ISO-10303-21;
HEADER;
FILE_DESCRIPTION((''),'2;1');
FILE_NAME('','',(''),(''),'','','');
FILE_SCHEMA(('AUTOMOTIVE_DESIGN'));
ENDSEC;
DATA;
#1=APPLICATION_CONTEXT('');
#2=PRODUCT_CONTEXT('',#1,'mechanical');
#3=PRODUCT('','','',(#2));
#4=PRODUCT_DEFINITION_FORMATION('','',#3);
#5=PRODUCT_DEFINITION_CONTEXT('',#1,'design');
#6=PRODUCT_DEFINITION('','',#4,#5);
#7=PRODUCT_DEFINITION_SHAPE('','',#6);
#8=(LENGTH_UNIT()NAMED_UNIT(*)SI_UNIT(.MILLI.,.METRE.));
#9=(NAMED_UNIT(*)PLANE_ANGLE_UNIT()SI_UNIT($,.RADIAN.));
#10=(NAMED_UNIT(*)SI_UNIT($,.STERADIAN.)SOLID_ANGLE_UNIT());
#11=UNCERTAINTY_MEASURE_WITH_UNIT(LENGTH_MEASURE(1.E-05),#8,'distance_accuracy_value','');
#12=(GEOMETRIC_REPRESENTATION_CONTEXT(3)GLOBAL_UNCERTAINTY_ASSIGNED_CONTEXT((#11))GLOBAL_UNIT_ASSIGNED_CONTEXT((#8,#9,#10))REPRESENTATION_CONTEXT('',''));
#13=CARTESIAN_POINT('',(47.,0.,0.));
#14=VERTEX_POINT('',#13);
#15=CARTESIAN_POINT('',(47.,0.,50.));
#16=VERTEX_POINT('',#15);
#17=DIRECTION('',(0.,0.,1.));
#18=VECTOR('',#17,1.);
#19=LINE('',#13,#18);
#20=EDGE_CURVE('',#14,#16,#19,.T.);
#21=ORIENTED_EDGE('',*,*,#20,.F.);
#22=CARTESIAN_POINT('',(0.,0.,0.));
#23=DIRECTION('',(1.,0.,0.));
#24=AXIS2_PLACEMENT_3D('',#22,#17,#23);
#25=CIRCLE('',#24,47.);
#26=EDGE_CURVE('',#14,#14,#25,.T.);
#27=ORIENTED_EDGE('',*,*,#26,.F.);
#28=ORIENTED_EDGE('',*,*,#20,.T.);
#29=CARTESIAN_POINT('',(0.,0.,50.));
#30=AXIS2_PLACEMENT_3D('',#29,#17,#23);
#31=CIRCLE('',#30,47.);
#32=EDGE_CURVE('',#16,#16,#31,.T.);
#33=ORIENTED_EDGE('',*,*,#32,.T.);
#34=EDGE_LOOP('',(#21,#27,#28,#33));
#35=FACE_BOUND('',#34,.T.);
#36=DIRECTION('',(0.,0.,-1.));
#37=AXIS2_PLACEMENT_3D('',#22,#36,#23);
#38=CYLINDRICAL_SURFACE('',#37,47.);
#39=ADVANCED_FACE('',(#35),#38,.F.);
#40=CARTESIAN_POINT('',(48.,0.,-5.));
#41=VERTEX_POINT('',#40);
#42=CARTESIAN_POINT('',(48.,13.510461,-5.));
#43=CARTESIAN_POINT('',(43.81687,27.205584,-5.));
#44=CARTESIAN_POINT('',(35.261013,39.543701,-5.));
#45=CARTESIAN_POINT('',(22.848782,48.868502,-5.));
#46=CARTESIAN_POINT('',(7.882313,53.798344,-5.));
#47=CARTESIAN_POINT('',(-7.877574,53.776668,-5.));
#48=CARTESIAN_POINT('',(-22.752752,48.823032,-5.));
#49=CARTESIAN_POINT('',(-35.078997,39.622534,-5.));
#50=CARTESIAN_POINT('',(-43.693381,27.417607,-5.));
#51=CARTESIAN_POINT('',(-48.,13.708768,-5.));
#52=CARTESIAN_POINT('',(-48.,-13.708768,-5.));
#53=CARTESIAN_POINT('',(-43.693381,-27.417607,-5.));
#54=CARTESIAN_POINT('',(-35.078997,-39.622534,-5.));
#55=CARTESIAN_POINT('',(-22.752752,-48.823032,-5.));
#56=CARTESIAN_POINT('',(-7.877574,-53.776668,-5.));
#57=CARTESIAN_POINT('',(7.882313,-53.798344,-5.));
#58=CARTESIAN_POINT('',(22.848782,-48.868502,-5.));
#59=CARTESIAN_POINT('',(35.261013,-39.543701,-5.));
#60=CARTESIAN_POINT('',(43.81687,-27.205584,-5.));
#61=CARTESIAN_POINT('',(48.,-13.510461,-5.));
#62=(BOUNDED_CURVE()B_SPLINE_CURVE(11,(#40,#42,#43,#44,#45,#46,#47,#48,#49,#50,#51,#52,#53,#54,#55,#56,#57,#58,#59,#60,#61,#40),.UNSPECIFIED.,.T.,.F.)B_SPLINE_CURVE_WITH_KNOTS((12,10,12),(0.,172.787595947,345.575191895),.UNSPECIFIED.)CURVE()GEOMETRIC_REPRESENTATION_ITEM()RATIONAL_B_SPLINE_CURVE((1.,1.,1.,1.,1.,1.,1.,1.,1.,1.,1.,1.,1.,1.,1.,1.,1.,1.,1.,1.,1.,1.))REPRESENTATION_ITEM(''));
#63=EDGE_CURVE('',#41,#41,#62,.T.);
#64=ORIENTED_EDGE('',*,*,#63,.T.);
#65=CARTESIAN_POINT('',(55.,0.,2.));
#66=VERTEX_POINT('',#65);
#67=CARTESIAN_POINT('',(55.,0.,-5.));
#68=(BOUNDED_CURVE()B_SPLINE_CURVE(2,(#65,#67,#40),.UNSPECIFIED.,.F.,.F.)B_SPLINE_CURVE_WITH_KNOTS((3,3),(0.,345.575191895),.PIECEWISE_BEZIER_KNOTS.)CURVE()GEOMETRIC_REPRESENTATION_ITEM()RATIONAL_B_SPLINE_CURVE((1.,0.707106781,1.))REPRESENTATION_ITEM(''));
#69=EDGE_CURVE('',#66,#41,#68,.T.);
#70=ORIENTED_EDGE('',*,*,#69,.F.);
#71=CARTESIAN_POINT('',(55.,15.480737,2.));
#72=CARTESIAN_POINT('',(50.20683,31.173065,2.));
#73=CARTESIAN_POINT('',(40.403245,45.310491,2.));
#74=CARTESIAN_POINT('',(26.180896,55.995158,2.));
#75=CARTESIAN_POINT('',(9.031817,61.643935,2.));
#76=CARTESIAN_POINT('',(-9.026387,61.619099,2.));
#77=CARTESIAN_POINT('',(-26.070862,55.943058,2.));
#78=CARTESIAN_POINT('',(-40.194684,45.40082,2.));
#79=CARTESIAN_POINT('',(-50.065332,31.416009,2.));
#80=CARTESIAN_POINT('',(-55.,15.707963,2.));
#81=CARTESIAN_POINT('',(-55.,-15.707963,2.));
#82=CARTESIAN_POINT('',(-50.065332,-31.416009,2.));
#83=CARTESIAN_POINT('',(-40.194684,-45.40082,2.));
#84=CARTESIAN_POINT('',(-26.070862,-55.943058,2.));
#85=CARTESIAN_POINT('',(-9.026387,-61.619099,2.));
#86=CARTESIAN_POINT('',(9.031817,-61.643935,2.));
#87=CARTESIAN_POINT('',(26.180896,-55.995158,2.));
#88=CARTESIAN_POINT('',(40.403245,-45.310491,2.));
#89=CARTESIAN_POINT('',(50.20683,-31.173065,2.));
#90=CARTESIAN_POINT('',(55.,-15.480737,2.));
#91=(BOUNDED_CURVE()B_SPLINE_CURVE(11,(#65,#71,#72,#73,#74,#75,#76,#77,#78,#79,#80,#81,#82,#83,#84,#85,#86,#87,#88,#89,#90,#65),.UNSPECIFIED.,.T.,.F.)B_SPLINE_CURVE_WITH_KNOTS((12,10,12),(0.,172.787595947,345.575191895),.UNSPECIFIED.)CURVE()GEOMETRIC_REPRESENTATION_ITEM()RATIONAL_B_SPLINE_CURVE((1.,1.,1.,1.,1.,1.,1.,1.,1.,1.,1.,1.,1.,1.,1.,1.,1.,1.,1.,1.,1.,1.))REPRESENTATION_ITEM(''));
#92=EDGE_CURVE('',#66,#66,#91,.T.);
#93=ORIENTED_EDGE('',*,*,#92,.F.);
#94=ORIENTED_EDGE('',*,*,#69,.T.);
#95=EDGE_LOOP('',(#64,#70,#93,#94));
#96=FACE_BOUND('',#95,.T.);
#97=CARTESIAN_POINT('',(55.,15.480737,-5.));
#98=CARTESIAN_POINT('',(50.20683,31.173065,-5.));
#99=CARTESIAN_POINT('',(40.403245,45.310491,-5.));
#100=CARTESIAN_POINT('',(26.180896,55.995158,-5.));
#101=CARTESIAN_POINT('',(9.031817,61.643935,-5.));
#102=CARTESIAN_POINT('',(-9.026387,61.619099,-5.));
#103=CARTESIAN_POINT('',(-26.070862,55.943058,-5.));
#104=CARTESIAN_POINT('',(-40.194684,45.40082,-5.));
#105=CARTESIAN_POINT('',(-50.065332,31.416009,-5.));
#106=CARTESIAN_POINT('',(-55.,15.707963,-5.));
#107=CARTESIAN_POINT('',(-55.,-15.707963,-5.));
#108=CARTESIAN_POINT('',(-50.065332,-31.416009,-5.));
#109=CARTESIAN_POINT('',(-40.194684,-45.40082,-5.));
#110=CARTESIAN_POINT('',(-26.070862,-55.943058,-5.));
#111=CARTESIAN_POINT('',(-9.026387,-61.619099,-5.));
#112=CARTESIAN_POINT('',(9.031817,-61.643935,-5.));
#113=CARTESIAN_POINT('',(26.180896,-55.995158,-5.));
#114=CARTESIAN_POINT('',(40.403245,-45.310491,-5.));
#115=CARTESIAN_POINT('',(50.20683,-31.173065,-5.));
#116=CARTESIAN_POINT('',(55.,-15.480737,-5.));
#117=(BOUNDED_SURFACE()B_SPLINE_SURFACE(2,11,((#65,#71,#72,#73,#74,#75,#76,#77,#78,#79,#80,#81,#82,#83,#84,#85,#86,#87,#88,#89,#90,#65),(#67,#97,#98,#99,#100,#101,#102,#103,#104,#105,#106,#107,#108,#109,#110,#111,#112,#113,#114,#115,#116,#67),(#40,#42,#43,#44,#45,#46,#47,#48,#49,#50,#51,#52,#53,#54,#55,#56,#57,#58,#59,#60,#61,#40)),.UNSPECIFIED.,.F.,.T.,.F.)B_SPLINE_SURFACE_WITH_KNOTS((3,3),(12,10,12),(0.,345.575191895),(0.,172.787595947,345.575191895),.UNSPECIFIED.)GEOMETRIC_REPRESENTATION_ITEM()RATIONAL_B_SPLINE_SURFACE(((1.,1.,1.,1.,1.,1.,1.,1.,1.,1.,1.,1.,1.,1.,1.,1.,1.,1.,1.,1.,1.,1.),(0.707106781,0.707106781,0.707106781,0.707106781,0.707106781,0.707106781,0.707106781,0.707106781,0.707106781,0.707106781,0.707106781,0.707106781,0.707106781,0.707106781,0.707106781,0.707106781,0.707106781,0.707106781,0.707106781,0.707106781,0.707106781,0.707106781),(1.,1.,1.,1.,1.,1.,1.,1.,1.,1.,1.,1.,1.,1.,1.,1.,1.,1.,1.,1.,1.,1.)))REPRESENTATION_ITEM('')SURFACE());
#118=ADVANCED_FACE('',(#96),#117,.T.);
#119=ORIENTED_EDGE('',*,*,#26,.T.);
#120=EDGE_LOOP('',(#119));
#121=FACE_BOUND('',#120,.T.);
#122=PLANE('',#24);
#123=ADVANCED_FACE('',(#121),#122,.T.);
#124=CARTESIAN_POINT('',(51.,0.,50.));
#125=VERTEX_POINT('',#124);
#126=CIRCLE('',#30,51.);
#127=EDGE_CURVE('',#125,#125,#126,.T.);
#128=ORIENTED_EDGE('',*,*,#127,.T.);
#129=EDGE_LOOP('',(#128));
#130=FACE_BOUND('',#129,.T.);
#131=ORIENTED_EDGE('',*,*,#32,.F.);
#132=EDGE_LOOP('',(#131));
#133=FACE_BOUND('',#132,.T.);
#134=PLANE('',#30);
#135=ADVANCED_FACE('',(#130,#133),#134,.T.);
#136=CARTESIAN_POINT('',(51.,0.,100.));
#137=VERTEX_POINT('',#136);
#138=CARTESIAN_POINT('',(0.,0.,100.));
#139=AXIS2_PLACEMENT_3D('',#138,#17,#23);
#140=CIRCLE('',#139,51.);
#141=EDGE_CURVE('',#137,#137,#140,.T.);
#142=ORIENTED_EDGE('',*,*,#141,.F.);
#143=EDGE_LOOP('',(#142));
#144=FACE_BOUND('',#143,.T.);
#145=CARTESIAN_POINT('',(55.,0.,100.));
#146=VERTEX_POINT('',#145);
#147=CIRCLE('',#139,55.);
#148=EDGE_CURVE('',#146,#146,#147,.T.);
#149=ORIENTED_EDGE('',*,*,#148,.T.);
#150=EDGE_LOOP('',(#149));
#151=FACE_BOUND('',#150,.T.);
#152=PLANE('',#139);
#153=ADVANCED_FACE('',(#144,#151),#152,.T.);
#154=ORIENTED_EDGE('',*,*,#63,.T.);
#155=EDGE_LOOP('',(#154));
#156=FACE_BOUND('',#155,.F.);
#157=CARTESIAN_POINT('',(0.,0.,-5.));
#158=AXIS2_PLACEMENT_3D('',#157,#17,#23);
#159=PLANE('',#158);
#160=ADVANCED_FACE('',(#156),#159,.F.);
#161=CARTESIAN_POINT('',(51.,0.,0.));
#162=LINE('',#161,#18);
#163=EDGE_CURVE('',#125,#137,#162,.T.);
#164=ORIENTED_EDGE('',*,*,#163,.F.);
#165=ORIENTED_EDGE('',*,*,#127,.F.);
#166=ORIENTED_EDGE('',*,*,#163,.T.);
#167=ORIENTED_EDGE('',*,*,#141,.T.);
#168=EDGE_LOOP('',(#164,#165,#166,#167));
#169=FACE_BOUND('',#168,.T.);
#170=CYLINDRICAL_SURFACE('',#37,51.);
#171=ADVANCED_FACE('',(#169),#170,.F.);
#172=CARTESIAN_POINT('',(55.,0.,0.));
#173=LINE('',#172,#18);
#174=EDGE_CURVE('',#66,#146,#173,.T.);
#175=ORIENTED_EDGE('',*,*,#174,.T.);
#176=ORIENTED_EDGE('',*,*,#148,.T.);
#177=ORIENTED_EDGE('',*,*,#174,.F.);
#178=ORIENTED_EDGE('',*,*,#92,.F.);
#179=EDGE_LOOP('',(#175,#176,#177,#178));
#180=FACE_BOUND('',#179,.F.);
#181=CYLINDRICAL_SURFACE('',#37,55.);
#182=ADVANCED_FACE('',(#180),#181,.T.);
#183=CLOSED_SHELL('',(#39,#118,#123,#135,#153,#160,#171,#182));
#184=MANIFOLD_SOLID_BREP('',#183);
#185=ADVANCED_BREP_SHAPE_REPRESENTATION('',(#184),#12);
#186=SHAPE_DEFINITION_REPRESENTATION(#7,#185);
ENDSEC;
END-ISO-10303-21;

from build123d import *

# Parameters (mm, degrees)
F0_R     = 55
F0_R_2   = 51
F0_R_3   = 47
F1_DEPTH = 5
F2_DEPTH = 50
F3_DEPTH = 100
F4_R     = 7


with BuildPart() as f1:
    # F0 (on Top) → F1 (new body)
    with BuildSketch(Plane.XY):
        Circle(F0_R)
        Circle(F0_R_2, mode=Mode.SUBTRACT)
        Circle(F0_R_2)
        Circle(F0_R_3, mode=Mode.SUBTRACT)
        Circle(F0_R_3)
    extrude(amount=-F1_DEPTH)

    # F0 (on Top) → F2 (join)
    with BuildSketch(Plane.XY):
        Circle(F0_R_2)
        Circle(F0_R_3, mode=Mode.SUBTRACT)
    extrude(amount=F2_DEPTH)

    # F0 (on Top) → F3 (join)
    with BuildSketch(Plane.XY):
        Circle(F0_R)
        Circle(F0_R_2, mode=Mode.SUBTRACT)
    extrude(amount=F3_DEPTH)

    # F4
    f4_edges = [f1.edges().sort_by_distance(p)[0] for p in [
        (-55, 0, -5),
    ]]
    fillet(f4_edges, radius=F4_R)


solid = f1.part
